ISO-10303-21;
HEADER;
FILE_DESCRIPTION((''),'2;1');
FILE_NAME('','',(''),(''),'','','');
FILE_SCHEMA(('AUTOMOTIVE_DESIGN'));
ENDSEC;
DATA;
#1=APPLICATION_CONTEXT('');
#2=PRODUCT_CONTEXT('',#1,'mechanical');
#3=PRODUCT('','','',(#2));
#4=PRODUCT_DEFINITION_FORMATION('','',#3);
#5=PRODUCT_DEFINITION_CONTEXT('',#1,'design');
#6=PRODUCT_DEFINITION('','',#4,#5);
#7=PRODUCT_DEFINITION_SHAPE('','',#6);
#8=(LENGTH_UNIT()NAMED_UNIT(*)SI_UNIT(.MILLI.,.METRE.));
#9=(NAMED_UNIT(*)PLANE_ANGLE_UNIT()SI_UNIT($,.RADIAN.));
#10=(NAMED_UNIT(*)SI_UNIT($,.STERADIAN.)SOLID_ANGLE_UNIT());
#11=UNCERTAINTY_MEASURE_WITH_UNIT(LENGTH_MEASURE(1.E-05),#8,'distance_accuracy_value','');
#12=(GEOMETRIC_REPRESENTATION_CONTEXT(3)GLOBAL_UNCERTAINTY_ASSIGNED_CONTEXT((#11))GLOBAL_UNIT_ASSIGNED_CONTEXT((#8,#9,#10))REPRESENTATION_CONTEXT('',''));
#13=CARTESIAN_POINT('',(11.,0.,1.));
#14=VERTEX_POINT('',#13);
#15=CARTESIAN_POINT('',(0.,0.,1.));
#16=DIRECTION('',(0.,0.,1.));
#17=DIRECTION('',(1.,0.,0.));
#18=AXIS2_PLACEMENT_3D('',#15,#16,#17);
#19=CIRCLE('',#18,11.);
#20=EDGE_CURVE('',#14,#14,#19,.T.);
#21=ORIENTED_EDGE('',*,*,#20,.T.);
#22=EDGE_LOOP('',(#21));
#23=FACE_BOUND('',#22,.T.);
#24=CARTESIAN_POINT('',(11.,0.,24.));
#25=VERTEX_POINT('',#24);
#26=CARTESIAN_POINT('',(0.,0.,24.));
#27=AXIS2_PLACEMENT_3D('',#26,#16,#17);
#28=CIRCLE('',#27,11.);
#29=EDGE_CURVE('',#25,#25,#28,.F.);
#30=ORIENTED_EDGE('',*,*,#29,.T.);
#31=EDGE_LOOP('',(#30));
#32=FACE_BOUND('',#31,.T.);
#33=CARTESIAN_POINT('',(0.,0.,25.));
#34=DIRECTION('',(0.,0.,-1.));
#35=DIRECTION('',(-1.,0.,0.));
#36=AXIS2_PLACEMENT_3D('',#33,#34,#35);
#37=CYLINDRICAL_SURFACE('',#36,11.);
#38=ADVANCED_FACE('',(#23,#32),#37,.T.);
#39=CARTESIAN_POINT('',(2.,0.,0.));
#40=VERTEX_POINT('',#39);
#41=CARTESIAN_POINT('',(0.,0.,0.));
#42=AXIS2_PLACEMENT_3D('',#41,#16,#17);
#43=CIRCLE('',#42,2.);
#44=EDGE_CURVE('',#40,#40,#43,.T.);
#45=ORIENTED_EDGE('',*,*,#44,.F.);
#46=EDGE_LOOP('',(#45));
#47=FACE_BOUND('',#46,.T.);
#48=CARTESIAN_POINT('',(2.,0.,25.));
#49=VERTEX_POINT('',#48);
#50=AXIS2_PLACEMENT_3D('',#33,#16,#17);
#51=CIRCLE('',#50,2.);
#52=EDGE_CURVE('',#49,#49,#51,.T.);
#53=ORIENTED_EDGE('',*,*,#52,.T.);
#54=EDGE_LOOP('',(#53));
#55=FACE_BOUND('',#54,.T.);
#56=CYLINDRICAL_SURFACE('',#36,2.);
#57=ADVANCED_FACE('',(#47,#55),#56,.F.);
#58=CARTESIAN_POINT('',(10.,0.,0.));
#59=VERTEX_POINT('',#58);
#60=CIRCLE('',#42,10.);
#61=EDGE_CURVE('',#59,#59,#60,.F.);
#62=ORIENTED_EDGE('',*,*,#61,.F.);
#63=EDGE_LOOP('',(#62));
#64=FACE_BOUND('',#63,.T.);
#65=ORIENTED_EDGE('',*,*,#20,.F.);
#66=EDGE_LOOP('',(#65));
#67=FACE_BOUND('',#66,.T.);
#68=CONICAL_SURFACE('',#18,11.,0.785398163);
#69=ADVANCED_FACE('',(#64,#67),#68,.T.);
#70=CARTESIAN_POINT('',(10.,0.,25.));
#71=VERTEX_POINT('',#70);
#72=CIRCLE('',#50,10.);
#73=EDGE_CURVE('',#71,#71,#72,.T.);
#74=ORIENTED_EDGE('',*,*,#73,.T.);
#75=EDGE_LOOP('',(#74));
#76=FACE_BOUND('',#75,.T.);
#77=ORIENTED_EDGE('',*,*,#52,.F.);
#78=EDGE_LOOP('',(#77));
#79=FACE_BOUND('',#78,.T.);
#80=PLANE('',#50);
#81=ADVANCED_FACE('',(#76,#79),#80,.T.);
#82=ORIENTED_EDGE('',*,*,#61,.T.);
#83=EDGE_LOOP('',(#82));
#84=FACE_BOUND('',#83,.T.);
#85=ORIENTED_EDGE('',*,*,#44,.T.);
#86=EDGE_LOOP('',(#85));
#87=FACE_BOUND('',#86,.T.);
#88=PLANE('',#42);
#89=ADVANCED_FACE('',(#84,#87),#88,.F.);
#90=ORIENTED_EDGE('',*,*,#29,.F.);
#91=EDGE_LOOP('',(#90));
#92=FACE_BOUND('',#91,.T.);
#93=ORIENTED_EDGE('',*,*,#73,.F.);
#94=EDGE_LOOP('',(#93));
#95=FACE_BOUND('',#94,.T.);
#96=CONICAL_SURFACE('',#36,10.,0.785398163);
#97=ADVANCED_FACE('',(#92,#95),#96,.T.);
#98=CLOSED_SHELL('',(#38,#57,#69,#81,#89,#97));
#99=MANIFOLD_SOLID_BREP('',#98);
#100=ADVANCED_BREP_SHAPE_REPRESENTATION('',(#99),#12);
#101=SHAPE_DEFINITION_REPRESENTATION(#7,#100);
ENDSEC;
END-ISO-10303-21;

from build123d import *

# Parameters (mm, degrees)
SKIZZE1_R                       = 11
SKIZZE1_R_2                     = 2
AUFSATZ_LINEAR_AUSTRAGEN1_DEPTH = 25
FASE1_SIZE                      = 1


with BuildPart() as part:
    # Skizze1 → Aufsatz-Linear austragen1 (new body)
    with BuildSketch(Plane.XY):
        Circle(SKIZZE1_R)
        Circle(SKIZZE1_R_2, mode=Mode.SUBTRACT)
    extrude(amount=AUFSATZ_LINEAR_AUSTRAGEN1_DEPTH)

    # Fase1
    fase1_edges = [part.edges().sort_by_distance(p)[0] for p in [
        (-11, 0, 0),
        (-11, 0, 25),
    ]]
    chamfer(fase1_edges, length=FASE1_SIZE)


solid = part.part
